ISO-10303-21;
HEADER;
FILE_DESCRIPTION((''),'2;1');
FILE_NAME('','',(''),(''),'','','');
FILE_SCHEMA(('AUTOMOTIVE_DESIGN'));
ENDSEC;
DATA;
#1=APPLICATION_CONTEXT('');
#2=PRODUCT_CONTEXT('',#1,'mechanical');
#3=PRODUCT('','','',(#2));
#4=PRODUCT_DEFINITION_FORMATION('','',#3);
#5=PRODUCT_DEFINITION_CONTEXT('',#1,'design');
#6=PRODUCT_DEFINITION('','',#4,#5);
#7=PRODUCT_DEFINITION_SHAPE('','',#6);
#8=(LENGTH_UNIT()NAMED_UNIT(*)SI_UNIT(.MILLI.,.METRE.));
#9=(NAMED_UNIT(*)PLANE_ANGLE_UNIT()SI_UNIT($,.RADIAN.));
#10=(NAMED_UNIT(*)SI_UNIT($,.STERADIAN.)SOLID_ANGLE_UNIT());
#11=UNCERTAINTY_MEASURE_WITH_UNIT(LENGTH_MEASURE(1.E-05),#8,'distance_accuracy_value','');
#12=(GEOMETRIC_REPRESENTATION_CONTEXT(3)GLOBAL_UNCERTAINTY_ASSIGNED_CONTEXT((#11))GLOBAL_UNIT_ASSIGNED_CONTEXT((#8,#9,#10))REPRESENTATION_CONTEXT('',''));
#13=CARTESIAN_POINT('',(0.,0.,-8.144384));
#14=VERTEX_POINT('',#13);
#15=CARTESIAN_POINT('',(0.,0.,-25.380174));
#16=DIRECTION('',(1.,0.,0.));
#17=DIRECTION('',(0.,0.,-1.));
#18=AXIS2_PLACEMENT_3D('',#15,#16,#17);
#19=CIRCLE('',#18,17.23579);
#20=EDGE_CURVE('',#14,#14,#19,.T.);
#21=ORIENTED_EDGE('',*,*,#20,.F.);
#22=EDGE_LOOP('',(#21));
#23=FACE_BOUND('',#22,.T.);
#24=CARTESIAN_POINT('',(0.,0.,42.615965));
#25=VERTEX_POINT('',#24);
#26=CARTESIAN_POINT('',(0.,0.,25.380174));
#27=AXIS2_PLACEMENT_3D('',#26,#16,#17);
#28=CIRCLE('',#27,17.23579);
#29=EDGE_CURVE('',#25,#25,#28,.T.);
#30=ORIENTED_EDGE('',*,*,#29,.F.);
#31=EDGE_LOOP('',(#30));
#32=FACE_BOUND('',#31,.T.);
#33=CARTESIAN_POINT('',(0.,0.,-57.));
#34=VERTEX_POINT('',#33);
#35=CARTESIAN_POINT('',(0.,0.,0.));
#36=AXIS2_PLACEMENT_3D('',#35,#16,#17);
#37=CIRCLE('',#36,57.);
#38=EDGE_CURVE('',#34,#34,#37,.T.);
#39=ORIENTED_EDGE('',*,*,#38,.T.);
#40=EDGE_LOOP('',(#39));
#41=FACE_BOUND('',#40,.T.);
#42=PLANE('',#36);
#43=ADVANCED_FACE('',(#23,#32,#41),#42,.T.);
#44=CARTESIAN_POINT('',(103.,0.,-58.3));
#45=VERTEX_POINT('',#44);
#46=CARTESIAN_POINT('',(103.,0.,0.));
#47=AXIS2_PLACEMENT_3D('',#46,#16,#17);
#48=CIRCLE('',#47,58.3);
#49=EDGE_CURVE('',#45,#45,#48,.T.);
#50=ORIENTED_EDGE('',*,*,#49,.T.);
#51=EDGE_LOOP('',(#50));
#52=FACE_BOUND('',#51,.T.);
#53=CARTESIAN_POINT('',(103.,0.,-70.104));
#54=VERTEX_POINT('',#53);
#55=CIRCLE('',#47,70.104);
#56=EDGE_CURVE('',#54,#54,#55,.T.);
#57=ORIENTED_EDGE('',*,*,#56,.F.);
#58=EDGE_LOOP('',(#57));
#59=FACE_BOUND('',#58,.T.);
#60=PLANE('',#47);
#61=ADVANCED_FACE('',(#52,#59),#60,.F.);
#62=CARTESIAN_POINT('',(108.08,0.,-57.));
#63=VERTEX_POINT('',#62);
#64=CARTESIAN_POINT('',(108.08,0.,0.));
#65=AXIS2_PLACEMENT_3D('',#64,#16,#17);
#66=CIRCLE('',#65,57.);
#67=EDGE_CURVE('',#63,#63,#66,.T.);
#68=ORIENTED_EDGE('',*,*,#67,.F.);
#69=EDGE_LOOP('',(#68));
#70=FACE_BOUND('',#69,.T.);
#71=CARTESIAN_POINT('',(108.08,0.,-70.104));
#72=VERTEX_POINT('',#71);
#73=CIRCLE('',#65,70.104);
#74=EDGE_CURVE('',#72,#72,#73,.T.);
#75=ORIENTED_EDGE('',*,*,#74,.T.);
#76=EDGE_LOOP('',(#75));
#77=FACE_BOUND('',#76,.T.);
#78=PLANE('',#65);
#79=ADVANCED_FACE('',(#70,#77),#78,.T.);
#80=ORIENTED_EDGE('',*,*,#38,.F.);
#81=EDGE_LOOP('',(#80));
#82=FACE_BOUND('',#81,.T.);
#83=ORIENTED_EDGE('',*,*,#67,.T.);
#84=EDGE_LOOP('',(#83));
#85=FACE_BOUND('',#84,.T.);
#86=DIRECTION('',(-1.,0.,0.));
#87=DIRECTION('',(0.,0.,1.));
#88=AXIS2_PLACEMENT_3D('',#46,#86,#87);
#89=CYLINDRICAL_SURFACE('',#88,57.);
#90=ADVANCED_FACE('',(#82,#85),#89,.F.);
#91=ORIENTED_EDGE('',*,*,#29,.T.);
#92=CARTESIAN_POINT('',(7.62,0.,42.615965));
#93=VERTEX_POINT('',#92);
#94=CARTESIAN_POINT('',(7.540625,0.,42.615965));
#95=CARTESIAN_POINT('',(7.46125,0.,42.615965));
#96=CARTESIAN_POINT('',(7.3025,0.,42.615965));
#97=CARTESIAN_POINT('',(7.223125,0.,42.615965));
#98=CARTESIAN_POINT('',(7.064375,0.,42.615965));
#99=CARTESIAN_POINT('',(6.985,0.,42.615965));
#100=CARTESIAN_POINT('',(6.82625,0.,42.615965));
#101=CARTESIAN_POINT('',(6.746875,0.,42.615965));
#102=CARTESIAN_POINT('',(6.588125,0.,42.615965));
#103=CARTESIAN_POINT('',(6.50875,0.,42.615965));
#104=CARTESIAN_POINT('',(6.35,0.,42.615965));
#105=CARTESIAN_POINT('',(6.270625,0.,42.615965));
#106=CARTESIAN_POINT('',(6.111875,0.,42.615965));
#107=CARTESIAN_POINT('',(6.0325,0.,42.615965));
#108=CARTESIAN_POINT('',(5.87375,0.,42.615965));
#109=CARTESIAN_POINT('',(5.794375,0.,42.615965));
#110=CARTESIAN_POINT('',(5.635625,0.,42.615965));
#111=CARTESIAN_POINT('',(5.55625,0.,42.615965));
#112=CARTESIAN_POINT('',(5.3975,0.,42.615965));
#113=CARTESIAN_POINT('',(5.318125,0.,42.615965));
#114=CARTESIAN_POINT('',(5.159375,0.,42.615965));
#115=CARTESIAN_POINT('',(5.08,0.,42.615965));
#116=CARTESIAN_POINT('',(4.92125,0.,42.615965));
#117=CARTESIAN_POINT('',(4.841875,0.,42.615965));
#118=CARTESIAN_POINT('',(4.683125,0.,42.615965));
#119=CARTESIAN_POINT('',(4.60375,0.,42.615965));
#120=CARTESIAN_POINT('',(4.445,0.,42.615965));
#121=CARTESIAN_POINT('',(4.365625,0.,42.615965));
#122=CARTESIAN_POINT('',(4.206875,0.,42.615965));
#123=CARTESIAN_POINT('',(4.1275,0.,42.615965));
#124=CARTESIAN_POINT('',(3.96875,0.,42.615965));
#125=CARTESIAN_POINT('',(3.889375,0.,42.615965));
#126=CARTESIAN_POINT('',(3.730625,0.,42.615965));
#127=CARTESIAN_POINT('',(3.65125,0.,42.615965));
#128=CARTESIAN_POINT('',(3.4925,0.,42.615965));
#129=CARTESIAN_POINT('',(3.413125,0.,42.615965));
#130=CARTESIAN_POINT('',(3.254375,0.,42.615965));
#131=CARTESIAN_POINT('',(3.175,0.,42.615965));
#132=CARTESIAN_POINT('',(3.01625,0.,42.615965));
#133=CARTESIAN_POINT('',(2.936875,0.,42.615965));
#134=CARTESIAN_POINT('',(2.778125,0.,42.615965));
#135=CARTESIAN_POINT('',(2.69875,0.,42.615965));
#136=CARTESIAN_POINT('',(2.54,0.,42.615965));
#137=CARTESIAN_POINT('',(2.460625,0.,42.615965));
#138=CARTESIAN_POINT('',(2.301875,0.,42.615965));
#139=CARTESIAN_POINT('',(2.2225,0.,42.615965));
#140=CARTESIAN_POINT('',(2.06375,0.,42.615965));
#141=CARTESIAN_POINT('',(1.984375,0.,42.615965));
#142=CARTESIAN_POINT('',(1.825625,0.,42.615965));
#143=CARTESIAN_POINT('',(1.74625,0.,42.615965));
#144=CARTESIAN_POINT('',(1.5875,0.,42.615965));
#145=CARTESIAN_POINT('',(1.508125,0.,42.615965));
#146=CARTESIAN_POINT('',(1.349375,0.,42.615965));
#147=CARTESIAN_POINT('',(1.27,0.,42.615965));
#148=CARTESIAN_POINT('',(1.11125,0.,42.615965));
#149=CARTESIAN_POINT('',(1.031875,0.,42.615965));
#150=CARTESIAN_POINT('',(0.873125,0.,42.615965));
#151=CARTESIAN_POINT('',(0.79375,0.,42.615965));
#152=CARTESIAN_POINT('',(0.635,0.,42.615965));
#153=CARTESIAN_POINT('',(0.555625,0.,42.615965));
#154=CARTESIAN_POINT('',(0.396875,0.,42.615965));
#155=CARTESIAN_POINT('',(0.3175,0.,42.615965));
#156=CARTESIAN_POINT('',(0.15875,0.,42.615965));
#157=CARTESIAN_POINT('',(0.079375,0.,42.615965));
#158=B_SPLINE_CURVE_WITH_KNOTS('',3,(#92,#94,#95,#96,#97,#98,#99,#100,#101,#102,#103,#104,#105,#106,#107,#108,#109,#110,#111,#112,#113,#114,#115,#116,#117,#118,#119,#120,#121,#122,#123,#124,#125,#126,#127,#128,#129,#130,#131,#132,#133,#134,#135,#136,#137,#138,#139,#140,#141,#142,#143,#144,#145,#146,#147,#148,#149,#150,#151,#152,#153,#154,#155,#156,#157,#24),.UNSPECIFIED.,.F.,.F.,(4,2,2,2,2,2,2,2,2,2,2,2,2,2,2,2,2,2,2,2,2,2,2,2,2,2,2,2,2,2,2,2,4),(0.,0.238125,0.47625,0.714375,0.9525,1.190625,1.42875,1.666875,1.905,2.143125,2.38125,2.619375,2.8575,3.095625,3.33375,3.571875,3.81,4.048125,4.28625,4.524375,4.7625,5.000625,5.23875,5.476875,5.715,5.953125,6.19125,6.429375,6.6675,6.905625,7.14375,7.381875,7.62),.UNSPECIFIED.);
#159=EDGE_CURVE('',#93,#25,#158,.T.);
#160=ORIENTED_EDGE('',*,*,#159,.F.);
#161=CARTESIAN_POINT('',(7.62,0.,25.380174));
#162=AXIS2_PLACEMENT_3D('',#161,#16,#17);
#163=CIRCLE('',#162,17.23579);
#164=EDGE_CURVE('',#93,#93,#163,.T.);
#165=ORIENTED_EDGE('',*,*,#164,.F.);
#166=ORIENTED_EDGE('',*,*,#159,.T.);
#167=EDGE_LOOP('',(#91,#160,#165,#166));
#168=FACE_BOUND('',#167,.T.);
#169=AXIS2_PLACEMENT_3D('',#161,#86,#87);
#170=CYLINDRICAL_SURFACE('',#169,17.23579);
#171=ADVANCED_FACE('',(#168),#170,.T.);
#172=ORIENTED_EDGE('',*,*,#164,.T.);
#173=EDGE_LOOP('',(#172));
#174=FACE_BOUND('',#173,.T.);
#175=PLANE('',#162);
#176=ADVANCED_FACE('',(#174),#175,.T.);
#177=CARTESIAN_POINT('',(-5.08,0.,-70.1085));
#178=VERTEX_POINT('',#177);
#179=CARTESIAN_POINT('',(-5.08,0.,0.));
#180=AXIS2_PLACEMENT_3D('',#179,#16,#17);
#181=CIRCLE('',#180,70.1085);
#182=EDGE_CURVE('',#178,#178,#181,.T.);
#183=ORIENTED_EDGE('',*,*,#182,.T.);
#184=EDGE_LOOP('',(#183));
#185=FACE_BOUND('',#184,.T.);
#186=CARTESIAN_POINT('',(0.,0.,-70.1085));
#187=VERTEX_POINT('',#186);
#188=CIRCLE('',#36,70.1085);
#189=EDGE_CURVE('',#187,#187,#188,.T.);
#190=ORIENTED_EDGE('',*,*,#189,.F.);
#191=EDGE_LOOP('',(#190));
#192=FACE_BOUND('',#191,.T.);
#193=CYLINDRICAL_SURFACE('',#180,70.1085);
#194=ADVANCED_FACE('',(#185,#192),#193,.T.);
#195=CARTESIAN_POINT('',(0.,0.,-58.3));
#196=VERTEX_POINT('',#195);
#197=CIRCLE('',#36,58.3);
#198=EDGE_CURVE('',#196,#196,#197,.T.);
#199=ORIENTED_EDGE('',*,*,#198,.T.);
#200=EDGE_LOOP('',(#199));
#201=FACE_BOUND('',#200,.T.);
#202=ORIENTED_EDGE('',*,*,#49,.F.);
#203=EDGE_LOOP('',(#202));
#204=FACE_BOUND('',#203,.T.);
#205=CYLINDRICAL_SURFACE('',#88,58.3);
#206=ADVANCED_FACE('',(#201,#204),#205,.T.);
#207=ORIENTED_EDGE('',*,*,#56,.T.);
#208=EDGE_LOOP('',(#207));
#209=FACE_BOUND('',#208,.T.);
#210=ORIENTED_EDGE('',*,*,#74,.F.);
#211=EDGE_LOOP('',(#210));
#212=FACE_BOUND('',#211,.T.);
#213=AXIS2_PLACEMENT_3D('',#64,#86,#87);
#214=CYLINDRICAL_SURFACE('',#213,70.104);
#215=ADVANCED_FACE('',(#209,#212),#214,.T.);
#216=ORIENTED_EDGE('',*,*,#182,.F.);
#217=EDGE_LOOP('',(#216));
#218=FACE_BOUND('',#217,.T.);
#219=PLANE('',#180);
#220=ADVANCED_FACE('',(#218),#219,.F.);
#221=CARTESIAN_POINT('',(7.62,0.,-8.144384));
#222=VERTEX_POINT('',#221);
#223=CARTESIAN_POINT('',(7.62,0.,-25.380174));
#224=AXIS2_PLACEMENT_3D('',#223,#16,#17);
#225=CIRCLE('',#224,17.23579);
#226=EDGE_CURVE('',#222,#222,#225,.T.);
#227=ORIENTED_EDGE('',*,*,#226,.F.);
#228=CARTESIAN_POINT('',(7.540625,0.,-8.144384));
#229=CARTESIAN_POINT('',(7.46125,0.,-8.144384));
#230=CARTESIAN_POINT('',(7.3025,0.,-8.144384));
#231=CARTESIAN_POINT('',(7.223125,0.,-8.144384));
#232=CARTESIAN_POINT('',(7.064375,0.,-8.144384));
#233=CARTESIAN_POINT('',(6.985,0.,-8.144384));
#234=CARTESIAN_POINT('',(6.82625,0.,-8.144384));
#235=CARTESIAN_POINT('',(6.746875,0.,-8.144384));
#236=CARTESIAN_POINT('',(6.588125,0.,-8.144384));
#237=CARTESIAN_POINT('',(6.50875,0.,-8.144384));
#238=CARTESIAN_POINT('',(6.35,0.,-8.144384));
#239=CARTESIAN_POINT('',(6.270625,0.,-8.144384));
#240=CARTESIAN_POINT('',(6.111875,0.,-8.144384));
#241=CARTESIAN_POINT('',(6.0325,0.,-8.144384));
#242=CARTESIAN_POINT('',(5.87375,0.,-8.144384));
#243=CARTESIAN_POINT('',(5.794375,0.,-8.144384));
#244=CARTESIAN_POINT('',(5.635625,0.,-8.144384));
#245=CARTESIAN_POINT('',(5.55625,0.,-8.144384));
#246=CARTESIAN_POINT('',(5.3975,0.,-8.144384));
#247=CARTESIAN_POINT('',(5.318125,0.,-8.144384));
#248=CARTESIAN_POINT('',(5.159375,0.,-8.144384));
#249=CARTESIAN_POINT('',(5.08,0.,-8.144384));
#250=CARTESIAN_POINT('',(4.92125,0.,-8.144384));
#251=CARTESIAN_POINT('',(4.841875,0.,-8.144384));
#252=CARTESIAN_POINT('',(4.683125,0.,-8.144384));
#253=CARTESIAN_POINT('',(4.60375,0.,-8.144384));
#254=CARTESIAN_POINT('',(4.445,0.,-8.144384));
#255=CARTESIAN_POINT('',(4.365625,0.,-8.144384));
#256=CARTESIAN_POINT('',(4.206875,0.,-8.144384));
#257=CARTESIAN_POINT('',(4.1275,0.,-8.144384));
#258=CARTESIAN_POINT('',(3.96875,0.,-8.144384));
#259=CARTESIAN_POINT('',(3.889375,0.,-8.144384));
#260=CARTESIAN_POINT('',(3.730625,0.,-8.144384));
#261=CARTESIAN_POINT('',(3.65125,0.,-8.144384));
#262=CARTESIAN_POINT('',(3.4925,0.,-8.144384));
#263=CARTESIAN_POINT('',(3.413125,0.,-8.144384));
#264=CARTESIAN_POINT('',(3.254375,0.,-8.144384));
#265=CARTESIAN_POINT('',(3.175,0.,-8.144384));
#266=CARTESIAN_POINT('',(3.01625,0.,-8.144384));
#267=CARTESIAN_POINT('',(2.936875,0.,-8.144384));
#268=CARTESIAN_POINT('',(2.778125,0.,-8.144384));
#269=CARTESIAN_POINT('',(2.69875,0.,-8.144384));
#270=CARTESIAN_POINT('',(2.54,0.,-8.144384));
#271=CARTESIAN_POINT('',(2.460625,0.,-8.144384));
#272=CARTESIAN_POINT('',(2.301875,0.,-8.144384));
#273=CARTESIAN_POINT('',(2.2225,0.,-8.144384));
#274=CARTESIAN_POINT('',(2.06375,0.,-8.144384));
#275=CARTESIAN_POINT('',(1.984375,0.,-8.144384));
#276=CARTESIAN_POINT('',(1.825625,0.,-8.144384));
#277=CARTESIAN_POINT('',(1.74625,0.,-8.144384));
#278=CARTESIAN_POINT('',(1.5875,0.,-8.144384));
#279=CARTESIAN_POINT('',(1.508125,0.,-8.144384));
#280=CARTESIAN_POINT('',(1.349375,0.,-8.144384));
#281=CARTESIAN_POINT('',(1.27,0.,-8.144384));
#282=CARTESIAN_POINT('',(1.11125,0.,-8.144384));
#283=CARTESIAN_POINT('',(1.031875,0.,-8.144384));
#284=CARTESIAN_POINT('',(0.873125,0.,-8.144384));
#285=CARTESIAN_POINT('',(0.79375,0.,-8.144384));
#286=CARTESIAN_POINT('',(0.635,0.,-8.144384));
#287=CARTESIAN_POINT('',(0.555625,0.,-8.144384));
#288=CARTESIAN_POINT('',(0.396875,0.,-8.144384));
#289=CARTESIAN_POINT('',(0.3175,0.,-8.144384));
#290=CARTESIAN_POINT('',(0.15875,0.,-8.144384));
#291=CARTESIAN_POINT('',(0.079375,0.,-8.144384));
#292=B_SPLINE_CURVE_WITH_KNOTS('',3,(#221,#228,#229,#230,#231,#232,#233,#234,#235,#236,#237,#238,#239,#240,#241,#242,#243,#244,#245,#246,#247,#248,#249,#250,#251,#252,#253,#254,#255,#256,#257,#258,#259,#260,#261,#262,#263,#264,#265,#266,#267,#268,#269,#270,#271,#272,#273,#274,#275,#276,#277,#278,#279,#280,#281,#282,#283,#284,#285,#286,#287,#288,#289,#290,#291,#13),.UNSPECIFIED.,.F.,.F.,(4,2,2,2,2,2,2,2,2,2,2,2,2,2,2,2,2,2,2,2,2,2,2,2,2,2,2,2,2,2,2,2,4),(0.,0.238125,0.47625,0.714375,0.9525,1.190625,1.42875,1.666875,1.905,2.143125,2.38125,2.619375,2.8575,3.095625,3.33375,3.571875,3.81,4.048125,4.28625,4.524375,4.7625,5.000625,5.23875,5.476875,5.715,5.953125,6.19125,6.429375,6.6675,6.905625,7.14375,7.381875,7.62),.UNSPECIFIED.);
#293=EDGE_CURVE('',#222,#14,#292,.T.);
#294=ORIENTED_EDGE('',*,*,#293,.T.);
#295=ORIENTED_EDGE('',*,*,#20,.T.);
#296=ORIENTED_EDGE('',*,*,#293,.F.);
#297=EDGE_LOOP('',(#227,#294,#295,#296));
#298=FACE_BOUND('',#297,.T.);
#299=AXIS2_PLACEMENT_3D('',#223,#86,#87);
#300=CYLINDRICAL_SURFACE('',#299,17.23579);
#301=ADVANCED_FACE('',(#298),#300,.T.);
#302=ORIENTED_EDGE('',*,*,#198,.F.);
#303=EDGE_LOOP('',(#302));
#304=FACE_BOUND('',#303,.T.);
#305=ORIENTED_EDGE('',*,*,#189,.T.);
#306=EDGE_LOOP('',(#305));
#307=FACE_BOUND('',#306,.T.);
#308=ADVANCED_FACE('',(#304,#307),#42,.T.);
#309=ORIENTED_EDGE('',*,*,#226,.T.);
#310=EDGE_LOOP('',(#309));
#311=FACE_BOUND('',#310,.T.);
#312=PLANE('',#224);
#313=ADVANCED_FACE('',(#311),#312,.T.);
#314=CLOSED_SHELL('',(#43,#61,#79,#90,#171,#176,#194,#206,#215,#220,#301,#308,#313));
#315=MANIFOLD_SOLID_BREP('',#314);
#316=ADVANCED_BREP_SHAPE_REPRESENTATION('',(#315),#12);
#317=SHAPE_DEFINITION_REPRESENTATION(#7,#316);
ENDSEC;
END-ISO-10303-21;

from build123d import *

# Parameters (mm, degrees)
HELIX_CIRCLES_R     = 58.3
HELIX_CIRCLES_R_2   = 57
BOSS_EXTRUDE1_DEPTH = 103
SKETCH50_R          = 70.1085
BOSS_EXTRUDE2_DEPTH = 5.08
SKETCH58_R          = 70.104
SKETCH58_R_2        = 57
BOSS_EXTRUDE6_DEPTH = 5.08
SKETCH59_R          = 17.235790132
BOSS_EXTRUDE7_DEPTH = 7.62


with BuildPart() as part:
    # Helix_Circles → Boss-Extrude1 (new body)
    with BuildSketch(Plane(origin=(0, 0, 0), x_dir=(0, 0, -1), z_dir=(1, 0, 0))):
        Circle(HELIX_CIRCLES_R)
        Circle(HELIX_CIRCLES_R_2, mode=Mode.SUBTRACT)
    extrude(amount=BOSS_EXTRUDE1_DEPTH)

    # Sketch50 → Boss-Extrude2 (add)
    with BuildSketch(Plane(origin=(0, 0, 0), x_dir=(0, 0, -1), z_dir=(1, 0, 0))):
        Circle(SKETCH50_R)
    extrude(amount=-BOSS_EXTRUDE2_DEPTH)

    # Sketch58 → Boss-Extrude6 (add)
    with BuildSketch(Plane(origin=(103, 0, 0), x_dir=(0, 0, -1), z_dir=(1, 0, 0))):
        Circle(SKETCH58_R)
        Circle(SKETCH58_R_2, mode=Mode.SUBTRACT)
    extrude(amount=BOSS_EXTRUDE6_DEPTH)

    # Sketch59 → Boss-Extrude7 (add)
    with BuildSketch(Plane(origin=(0, 0, 0), x_dir=(0, 0, -1), z_dir=(1, 0, 0))):
        with Locations(Location((-25.38017448, 0, 0), (0, 0, 180))):
            Circle(SKETCH59_R)
        with Locations(Location((25.38017448, 0, 0), (0, 0, 180))):
            Circle(SKETCH59_R)
    extrude(amount=BOSS_EXTRUDE7_DEPTH)


solid = part.part
